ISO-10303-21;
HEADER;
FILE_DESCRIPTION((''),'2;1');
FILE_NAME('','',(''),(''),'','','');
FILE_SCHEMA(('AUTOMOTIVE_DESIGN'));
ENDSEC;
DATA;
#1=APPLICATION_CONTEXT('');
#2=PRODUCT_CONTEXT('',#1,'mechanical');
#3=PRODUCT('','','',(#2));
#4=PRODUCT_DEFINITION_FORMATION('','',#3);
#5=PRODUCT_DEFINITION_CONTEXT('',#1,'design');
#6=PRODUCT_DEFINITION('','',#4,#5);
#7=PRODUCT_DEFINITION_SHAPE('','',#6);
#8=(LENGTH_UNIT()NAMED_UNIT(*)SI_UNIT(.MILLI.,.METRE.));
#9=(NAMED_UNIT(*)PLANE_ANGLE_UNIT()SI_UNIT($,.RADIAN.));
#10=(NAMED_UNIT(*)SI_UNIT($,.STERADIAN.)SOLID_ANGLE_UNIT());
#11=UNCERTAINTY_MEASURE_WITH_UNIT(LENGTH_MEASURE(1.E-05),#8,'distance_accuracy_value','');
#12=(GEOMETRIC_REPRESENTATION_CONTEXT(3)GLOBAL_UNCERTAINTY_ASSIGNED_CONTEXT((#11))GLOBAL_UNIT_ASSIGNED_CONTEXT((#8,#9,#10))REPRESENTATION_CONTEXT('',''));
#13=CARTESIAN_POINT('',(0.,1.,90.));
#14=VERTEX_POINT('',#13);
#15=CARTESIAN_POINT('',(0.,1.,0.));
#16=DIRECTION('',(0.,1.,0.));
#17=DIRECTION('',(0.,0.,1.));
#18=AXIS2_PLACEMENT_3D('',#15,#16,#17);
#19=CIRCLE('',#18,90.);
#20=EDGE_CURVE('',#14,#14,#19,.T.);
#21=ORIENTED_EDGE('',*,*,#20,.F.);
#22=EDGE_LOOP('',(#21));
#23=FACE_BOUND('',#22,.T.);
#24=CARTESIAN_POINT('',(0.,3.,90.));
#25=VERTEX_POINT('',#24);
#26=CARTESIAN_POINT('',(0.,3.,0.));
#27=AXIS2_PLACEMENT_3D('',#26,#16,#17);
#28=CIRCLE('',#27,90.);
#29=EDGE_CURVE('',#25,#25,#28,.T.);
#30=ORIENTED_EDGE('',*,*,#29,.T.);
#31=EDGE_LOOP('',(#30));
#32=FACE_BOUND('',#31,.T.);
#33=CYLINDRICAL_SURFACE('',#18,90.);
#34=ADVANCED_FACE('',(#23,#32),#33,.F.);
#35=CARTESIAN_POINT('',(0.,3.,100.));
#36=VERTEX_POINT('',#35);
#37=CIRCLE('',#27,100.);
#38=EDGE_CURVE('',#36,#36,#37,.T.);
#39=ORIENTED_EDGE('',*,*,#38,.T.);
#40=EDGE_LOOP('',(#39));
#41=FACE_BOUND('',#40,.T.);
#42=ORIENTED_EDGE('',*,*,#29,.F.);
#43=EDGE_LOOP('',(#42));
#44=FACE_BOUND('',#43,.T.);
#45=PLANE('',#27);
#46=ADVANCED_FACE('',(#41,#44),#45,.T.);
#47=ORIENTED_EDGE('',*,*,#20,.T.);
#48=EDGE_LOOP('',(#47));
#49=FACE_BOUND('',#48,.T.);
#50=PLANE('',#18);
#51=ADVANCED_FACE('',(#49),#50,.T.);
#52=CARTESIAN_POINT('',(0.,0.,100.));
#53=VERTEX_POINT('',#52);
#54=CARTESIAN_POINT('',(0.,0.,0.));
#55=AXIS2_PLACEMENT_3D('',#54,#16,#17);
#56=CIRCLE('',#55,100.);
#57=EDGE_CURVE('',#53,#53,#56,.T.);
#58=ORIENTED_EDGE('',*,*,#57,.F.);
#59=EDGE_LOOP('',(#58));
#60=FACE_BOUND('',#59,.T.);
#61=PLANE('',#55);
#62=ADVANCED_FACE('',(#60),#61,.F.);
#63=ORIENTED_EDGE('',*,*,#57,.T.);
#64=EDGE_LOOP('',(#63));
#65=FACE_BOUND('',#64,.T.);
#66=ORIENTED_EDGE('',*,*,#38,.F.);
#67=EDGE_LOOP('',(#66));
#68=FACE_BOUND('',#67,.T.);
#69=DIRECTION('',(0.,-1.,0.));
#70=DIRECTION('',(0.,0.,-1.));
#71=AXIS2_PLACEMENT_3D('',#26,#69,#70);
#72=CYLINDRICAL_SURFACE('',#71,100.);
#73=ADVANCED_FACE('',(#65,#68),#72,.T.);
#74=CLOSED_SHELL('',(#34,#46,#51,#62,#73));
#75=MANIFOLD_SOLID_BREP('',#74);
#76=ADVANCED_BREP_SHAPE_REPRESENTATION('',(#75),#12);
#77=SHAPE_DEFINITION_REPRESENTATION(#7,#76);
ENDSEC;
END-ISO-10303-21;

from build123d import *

# Parameters (mm, degrees)
SKETCH1_R           = 100
BOSS_EXTRUDE1_DEPTH = 3
SKETCH2_R           = 90
CUT_EXTRUDE1_DEPTH  = 2


with BuildPart() as part:
    # Sketch1 → Boss-Extrude1 (new body)
    with BuildSketch(Plane(origin=(0, 0, 0), x_dir=(1, 0, 0), z_dir=(0, 1, 0))):
        with Locations(Location((0, 0, 0), (0, 0, 270))):
            Circle(SKETCH1_R)
    extrude(amount=BOSS_EXTRUDE1_DEPTH)

    # Sketch2 → Cut-Extrude1 (cut)
    with BuildSketch(Plane(origin=(0, 3, 0), x_dir=(1, 0, 0), z_dir=(0, 1, 0))):
        with Locations(Location((0, 0, 0), (0, 0, 270))):
            Circle(SKETCH2_R)
    extrude(amount=-CUT_EXTRUDE1_DEPTH, mode=Mode.SUBTRACT)


solid = part.part
